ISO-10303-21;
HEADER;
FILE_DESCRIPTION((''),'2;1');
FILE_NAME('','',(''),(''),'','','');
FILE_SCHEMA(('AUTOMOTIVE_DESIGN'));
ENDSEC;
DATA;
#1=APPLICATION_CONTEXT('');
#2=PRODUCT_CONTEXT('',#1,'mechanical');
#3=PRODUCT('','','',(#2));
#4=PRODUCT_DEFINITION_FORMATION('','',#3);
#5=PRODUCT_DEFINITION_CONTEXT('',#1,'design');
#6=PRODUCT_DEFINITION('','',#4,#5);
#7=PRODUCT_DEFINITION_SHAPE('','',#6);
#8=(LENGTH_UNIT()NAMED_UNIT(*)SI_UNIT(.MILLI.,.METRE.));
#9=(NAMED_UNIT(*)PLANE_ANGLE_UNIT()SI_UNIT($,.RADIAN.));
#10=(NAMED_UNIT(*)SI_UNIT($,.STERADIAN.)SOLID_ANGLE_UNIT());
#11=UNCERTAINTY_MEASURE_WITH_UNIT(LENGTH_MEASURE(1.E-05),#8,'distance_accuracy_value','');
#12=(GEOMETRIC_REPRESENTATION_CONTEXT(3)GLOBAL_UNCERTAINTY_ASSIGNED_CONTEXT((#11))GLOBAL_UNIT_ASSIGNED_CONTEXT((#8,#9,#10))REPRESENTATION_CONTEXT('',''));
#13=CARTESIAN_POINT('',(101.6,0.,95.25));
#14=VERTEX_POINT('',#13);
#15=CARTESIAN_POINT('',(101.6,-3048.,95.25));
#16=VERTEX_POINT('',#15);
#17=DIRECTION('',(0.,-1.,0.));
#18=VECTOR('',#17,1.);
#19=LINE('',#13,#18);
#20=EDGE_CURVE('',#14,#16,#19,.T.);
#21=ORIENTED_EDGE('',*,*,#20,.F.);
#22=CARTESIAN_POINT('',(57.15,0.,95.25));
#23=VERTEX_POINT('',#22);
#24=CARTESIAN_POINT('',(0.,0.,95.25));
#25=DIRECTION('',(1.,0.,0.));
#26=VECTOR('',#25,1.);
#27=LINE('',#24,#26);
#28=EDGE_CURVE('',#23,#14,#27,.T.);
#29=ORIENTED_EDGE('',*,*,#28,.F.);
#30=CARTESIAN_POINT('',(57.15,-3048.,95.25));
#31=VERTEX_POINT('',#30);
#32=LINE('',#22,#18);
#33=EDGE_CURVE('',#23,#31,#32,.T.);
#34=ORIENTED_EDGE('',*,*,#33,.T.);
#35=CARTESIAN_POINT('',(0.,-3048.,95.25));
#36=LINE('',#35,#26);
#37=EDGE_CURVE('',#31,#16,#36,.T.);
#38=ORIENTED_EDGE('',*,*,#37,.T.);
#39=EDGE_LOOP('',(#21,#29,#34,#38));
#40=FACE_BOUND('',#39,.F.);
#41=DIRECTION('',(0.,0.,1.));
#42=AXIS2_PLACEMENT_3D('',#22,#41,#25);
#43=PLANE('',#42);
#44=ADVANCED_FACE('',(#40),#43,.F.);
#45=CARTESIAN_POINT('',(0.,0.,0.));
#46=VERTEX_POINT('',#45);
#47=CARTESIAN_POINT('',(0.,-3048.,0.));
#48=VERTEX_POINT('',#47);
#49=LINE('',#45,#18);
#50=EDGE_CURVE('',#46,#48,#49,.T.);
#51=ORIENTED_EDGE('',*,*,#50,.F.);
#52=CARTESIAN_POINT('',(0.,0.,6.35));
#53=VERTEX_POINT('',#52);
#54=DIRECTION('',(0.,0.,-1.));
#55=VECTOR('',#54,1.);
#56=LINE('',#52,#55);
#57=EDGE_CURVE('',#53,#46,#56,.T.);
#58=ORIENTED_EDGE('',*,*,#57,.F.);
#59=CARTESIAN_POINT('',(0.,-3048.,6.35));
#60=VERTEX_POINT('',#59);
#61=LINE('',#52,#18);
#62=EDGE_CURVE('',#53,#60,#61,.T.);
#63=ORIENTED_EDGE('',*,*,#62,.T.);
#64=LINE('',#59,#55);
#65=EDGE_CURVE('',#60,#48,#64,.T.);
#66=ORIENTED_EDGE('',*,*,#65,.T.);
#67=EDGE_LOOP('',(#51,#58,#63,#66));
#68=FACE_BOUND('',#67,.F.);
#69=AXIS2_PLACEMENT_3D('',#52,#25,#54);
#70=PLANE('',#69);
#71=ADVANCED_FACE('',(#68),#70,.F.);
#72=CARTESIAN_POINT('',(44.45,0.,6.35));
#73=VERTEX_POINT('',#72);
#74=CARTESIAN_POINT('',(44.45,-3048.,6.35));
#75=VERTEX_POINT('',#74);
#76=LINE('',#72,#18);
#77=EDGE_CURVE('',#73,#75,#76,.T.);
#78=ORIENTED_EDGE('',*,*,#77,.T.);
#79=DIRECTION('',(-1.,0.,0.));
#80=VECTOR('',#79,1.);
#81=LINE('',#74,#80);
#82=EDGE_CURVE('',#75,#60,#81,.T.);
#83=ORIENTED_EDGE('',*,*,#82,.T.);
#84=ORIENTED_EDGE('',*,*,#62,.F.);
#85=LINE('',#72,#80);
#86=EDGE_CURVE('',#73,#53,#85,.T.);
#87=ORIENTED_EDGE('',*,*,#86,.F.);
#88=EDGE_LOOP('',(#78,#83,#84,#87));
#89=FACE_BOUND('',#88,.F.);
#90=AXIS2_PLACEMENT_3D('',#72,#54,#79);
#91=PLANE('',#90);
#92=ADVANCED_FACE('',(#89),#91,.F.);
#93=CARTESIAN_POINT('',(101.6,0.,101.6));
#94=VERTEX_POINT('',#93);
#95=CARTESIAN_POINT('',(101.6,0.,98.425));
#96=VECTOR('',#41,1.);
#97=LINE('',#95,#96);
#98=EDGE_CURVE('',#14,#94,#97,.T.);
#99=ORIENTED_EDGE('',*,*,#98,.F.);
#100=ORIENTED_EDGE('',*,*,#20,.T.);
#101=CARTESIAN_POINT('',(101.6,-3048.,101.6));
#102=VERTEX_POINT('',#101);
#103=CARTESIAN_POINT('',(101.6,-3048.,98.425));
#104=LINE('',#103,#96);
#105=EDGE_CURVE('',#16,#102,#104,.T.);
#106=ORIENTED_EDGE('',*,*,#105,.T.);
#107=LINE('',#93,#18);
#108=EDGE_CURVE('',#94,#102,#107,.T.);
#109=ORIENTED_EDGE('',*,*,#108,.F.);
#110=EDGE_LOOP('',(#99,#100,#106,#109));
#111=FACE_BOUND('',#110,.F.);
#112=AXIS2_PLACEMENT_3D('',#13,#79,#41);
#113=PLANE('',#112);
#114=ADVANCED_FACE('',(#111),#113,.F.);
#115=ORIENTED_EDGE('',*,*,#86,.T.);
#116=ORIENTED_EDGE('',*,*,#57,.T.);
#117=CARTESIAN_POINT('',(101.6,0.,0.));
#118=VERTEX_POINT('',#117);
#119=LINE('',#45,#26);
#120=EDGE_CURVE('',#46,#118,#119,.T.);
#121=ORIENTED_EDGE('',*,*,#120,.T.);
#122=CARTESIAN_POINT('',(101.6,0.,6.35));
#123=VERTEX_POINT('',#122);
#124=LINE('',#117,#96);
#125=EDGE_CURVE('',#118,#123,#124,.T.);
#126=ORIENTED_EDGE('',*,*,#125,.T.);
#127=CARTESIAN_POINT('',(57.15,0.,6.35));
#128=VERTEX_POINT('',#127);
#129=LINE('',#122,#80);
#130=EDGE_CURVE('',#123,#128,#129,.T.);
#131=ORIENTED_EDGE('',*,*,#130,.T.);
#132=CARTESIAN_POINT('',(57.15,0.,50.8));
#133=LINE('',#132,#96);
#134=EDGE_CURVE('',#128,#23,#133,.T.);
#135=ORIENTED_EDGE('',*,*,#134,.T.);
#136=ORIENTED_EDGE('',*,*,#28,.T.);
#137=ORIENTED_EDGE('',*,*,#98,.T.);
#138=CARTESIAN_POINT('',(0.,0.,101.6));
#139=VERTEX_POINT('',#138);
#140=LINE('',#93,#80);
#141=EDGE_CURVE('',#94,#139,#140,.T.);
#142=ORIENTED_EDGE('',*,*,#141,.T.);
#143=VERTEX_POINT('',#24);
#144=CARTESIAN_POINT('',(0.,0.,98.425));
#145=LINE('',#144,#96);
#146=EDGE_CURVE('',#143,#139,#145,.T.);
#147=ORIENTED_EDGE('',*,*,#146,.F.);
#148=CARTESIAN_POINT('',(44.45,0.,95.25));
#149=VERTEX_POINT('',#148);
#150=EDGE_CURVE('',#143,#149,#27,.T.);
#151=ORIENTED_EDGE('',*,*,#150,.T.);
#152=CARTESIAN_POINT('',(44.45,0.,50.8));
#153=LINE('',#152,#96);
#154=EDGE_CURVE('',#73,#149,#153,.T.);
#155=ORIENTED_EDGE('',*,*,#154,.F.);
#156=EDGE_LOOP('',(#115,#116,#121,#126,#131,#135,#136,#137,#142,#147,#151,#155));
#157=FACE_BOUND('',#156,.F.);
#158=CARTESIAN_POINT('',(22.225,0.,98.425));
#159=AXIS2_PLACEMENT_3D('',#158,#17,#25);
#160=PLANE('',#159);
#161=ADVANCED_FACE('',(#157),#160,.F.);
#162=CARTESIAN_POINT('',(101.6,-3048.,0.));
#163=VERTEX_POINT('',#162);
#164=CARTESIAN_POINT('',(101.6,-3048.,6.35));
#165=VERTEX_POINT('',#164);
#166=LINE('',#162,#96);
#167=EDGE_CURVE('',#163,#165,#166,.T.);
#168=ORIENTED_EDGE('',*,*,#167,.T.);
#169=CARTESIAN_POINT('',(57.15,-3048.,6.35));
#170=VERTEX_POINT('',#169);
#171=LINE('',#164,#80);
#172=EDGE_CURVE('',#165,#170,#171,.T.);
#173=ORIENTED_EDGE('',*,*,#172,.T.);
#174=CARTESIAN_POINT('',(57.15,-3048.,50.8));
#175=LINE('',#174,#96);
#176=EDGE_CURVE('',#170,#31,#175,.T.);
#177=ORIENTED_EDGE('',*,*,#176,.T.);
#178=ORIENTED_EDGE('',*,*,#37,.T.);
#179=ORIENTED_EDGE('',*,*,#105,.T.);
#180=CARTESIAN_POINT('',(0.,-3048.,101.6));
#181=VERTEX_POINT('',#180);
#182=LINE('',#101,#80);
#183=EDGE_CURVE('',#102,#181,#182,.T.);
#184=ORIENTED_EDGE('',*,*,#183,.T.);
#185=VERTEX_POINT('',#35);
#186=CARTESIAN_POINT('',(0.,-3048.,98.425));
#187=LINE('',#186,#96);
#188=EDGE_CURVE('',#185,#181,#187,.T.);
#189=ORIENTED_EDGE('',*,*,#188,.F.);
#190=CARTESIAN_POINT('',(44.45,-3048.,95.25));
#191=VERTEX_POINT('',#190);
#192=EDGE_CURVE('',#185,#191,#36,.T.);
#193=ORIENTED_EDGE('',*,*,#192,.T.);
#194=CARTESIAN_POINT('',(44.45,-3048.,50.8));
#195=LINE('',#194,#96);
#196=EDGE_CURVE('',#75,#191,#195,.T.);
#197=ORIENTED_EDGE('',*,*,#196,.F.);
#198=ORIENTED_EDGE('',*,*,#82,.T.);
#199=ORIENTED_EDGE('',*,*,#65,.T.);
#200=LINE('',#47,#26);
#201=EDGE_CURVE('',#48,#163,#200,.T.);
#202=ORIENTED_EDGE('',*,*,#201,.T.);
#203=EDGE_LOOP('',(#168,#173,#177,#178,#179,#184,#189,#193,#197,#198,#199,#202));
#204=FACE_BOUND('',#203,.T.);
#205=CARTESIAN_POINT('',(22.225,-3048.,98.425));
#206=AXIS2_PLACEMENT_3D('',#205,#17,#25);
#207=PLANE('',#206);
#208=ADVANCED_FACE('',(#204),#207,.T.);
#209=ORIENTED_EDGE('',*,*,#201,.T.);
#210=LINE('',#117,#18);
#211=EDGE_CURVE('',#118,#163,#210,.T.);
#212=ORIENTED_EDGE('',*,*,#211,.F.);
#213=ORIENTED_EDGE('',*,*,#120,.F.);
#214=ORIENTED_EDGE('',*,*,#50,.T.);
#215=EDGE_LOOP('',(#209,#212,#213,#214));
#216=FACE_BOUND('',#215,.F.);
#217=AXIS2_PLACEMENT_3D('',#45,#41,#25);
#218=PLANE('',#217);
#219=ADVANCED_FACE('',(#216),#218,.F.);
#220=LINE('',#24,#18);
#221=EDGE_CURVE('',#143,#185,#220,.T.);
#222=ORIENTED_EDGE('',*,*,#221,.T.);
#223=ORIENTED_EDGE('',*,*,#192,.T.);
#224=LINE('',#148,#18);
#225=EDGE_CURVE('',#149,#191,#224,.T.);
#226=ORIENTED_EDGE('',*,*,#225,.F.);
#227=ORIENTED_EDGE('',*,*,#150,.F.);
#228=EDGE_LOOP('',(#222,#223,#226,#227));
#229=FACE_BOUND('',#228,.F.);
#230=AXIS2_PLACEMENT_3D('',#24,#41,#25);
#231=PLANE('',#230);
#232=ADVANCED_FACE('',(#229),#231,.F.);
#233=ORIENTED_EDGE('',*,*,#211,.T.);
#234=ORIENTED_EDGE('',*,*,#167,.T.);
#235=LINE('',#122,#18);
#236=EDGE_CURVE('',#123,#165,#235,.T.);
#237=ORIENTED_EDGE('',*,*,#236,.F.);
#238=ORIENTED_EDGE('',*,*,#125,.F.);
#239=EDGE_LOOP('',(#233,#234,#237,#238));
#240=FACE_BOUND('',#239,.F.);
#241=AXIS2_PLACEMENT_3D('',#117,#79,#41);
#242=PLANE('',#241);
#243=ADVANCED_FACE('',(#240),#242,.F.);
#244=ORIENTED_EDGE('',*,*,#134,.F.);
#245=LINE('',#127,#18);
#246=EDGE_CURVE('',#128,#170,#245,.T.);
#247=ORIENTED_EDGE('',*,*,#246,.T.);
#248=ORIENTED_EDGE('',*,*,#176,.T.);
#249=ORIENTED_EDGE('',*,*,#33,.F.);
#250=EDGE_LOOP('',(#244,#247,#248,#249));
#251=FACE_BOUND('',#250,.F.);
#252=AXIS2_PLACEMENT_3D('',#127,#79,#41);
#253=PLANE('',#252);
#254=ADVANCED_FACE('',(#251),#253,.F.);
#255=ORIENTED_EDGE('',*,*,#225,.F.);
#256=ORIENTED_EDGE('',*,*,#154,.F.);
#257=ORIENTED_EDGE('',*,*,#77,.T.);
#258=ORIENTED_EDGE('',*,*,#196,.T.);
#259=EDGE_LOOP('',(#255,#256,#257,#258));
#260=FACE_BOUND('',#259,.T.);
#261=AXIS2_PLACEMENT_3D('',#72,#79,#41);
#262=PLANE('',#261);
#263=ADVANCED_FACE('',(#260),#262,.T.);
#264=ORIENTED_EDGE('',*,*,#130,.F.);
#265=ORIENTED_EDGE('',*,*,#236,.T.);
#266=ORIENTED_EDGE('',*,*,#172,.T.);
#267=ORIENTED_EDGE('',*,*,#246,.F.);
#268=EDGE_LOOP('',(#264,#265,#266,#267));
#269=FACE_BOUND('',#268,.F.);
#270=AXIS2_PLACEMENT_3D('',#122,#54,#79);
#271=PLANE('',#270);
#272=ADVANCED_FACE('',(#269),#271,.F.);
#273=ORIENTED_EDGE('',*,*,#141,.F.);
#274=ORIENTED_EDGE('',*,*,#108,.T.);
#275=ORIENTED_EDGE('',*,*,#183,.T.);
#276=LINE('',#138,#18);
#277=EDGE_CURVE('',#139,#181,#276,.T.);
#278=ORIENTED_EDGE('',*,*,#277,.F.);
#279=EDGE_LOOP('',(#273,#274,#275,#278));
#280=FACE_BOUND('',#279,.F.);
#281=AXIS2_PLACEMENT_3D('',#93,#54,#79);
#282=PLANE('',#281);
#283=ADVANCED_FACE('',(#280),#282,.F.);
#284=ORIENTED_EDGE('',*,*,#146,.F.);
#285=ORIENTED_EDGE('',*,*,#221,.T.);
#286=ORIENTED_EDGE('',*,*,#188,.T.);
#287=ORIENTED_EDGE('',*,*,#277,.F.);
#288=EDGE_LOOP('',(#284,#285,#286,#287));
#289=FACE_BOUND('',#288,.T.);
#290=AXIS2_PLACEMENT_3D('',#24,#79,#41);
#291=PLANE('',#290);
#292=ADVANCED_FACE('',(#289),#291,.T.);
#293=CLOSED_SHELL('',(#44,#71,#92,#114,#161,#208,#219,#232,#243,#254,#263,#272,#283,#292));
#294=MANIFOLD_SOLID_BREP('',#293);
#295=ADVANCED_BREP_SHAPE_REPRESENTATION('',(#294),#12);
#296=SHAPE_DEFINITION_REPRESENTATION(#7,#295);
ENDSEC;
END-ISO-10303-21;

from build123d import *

# Parameters (mm, degrees)
F0_W     = 44.45
F0_H     = 6.35
F0_W_2   = 6.35
F0_H_2   = 88.9
F1_DEPTH = 3048


with BuildPart() as f1:
    # F0 (on Front) → F1 (new body)
    with BuildSketch(Plane.XZ):
        with Locations((22.225, 98.425)):
            Rectangle(F0_W, F0_H)
        with Locations((47.625, 98.425)):
            Rectangle(F0_W_2, F0_H)
        with Locations((53.975, 98.425)):
            Rectangle(F0_W_2, F0_H)
        with Locations((79.375, 98.425)):
            Rectangle(F0_W, F0_H)
        with Locations((53.975, 50.8)):
            Rectangle(F0_W_2, F0_H_2)
        with Locations((47.625, 50.8)):
            Rectangle(F0_W_2, F0_H_2)
        Polygon((0, 6.35), (0, 0), (50.8, 0), (50.8, 6.35), (44.45, 6.35), align=None)
        Polygon((50.8, 6.35), (50.8, 0), (101.6, 0), (101.6, 6.35), (57.15, 6.35), align=None)
    extrude(amount=F1_DEPTH)


solid = f1.part
